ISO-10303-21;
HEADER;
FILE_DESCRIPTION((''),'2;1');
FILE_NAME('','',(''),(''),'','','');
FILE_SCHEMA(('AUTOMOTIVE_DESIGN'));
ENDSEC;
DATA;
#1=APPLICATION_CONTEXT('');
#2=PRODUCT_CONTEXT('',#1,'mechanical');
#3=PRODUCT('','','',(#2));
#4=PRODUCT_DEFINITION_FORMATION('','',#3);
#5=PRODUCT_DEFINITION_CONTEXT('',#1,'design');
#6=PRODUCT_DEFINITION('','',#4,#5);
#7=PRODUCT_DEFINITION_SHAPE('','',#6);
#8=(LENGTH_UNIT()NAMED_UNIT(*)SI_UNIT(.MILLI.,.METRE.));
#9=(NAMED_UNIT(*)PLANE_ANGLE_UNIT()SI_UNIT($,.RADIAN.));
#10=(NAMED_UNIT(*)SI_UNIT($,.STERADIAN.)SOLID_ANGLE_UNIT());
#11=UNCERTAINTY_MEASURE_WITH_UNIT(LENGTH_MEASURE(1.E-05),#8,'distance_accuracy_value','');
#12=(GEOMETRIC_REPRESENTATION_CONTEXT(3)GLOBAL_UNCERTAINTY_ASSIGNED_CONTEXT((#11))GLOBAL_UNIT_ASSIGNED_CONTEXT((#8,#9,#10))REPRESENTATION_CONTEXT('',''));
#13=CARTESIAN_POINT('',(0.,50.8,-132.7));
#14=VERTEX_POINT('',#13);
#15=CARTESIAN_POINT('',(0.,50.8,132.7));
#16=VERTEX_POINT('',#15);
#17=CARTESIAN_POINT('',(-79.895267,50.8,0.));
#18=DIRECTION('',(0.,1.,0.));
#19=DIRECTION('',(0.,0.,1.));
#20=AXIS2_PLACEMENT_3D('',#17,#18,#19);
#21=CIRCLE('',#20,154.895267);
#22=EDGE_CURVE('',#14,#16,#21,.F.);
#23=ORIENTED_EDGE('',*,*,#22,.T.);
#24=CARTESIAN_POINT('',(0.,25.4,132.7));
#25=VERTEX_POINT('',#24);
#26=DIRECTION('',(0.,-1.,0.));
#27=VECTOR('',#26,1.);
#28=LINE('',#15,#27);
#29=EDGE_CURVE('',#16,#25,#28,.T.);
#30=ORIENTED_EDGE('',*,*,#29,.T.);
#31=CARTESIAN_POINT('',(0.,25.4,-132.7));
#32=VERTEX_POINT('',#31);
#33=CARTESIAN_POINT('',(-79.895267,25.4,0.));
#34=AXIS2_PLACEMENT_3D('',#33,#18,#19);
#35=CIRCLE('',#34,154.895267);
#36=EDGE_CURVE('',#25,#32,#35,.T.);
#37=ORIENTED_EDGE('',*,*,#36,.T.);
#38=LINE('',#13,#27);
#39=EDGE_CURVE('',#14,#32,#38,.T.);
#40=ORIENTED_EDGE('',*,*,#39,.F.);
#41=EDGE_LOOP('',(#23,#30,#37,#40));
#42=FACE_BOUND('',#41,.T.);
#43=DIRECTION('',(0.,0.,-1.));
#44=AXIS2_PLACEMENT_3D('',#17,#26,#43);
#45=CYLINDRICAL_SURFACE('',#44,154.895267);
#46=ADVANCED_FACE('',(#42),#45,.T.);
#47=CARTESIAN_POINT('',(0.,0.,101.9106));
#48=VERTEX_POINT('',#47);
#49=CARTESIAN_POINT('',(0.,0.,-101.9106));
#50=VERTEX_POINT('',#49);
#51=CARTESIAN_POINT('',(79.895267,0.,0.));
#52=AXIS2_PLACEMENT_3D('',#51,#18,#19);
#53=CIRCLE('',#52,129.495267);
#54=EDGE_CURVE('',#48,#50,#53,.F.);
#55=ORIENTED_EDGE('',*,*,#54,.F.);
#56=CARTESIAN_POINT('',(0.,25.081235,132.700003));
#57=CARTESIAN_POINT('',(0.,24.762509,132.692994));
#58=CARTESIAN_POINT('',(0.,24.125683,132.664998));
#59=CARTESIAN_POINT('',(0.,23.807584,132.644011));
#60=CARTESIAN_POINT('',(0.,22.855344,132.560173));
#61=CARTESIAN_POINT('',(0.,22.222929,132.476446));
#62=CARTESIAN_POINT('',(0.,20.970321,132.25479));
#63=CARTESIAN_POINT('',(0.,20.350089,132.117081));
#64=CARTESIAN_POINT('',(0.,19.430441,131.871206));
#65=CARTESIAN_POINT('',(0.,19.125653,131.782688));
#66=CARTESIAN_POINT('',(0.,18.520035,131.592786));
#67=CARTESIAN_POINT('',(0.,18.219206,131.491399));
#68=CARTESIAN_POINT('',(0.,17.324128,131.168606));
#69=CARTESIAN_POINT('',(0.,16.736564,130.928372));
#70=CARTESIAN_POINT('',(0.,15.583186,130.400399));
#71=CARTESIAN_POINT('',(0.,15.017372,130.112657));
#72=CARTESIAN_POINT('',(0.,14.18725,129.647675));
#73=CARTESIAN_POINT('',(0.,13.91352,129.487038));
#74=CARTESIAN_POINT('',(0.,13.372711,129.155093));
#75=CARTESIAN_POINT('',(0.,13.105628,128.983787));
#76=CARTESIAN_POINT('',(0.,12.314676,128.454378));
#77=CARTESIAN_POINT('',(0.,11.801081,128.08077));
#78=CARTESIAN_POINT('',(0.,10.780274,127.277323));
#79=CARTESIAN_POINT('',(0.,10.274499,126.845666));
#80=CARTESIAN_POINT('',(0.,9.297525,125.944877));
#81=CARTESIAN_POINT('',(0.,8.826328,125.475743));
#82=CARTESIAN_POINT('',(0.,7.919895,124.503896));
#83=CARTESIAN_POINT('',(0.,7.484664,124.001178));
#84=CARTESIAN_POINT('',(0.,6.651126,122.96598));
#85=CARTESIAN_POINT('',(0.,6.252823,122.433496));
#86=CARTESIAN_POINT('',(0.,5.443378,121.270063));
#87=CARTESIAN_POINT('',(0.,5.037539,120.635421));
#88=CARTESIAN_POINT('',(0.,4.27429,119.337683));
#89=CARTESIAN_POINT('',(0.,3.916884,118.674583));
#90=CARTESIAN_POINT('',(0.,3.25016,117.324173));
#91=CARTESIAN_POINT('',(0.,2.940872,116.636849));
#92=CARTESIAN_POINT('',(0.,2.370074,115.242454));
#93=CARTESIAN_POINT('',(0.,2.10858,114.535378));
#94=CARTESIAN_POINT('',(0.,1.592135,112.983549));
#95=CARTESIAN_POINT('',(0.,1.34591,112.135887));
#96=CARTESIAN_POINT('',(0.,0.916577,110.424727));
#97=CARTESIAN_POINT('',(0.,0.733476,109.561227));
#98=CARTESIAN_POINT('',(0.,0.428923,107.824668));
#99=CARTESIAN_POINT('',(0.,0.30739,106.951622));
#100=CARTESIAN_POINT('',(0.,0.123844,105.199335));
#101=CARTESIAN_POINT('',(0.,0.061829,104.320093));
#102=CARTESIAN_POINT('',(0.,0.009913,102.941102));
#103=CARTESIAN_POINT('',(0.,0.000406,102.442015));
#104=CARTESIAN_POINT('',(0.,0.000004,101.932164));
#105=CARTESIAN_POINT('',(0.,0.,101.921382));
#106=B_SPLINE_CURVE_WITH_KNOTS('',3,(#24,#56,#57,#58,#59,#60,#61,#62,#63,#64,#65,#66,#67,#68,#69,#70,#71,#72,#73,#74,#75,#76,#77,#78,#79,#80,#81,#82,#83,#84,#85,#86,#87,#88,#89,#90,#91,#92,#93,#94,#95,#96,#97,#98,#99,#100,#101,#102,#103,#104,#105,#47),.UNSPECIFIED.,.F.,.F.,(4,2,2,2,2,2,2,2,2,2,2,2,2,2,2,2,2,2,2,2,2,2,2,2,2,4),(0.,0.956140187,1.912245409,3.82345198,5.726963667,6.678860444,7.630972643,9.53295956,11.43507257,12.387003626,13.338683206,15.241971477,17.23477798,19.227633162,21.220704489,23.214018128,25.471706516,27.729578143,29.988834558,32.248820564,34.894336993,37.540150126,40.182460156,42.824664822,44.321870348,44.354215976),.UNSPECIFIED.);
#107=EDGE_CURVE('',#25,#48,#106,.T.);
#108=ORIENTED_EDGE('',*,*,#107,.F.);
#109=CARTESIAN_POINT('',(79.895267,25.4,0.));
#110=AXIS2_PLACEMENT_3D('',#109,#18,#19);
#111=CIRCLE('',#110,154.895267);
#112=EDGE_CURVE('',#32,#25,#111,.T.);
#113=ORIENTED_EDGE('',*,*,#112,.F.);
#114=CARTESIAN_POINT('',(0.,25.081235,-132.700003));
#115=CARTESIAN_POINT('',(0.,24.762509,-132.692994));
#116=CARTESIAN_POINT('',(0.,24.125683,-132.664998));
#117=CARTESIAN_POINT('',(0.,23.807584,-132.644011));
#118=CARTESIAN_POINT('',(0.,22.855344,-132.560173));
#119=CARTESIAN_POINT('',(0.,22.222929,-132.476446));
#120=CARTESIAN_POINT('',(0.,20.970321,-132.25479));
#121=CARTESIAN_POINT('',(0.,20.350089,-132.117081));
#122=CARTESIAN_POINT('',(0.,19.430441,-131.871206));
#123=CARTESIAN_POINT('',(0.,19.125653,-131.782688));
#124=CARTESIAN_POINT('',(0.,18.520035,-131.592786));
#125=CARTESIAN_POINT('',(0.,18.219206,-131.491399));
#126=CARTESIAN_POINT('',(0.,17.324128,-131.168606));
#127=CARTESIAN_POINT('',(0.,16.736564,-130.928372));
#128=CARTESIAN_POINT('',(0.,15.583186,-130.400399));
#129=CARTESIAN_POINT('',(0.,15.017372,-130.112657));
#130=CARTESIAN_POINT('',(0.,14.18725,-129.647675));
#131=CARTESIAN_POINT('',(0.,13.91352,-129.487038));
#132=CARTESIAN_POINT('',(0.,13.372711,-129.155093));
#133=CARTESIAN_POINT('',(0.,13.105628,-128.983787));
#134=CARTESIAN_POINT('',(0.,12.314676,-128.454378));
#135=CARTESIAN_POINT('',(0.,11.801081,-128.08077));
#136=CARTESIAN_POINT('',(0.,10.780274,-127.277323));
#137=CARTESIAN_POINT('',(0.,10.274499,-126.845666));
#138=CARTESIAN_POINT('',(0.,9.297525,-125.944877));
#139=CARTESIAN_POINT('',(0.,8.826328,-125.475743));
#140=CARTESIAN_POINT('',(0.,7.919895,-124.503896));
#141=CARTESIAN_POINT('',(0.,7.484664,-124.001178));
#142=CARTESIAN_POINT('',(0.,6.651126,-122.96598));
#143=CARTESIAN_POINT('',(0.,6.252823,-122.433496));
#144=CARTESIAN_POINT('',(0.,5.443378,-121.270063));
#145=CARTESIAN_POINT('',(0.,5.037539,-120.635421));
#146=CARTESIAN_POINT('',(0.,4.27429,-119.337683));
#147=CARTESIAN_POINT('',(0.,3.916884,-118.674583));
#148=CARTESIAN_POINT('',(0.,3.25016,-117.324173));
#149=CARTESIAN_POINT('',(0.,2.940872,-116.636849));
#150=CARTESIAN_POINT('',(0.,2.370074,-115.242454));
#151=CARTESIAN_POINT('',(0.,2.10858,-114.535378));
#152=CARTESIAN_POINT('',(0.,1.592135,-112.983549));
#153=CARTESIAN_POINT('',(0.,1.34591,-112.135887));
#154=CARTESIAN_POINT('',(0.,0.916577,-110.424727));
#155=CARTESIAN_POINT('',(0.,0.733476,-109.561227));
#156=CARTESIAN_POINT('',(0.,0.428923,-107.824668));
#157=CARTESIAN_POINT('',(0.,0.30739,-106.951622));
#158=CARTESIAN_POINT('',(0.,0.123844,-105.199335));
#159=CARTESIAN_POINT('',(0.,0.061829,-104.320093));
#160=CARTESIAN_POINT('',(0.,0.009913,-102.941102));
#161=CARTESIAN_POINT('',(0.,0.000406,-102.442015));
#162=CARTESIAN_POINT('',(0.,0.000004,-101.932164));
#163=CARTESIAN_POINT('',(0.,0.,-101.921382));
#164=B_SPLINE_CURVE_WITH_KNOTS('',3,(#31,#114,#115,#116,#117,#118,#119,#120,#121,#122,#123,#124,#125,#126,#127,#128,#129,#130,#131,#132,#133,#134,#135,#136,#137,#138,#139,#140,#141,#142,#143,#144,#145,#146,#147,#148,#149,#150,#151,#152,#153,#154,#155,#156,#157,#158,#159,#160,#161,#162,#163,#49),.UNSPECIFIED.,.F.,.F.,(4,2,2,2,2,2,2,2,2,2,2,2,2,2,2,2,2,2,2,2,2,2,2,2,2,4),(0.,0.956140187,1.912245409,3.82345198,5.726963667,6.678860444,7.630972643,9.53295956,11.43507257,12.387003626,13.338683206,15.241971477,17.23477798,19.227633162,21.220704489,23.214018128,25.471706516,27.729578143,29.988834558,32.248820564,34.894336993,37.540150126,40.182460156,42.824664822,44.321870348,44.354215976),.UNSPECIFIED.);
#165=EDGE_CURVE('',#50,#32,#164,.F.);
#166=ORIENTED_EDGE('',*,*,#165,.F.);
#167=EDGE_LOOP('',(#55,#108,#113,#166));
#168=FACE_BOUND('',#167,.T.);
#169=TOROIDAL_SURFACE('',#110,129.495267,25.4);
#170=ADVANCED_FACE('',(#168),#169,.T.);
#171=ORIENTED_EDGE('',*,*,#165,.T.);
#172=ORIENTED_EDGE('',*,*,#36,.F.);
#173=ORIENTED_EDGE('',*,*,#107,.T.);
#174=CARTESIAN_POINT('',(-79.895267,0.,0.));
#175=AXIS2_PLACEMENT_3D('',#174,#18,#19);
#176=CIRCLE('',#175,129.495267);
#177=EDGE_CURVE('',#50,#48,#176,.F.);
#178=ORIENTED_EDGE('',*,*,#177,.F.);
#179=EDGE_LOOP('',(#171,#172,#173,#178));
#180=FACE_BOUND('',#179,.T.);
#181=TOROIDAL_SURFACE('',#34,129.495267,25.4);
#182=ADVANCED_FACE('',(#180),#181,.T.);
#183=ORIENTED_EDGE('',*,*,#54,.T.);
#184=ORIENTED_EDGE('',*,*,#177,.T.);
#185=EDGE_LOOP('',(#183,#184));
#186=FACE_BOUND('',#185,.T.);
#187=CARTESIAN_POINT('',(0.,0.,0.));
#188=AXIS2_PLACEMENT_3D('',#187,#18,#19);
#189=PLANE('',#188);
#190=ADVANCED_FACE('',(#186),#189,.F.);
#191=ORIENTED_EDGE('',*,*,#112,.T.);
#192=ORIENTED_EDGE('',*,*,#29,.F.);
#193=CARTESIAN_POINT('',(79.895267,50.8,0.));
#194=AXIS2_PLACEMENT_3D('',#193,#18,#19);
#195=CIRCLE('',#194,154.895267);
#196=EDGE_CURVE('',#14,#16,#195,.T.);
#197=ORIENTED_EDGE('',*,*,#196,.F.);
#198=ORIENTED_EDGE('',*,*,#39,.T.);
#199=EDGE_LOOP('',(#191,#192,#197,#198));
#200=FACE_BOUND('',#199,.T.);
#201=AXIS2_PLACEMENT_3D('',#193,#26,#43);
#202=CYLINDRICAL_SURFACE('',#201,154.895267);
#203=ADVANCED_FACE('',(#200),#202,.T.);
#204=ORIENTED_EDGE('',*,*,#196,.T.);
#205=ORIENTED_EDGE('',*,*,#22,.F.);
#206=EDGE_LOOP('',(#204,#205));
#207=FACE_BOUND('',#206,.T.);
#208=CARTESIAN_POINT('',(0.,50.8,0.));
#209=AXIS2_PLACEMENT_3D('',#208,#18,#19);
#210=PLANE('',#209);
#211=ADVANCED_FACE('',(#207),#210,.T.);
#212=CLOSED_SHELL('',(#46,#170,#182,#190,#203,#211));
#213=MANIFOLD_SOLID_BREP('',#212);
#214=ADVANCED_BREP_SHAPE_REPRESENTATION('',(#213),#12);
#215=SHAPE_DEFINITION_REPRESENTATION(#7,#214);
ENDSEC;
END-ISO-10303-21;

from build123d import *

# Parameters (mm, degrees)
BOSS_EXTRUDE1_DEPTH = 50.8
FILLET1_R           = 25.4


with BuildPart() as part:
    # Sketch1 → Boss-Extrude1 (new body)
    with BuildSketch(Plane(origin=(0, 0, 0), x_dir=(1, 0, 0), z_dir=(0, 1, 0))):
        with BuildLine():
            ThreePointArc((0, 132.7), (75, 0), (0, -132.7))
            ThreePointArc((0, -132.7), (-75, 0), (0, 132.7))
        make_face()
    extrude(amount=BOSS_EXTRUDE1_DEPTH)

    # Fillet1
    fillet1_edges = [part.edges().sort_by_distance(p)[0] for p in [
        (-75, 0, 0),
        (75, 0, 0),
    ]]
    fillet(fillet1_edges, radius=FILLET1_R)


solid = part.part
